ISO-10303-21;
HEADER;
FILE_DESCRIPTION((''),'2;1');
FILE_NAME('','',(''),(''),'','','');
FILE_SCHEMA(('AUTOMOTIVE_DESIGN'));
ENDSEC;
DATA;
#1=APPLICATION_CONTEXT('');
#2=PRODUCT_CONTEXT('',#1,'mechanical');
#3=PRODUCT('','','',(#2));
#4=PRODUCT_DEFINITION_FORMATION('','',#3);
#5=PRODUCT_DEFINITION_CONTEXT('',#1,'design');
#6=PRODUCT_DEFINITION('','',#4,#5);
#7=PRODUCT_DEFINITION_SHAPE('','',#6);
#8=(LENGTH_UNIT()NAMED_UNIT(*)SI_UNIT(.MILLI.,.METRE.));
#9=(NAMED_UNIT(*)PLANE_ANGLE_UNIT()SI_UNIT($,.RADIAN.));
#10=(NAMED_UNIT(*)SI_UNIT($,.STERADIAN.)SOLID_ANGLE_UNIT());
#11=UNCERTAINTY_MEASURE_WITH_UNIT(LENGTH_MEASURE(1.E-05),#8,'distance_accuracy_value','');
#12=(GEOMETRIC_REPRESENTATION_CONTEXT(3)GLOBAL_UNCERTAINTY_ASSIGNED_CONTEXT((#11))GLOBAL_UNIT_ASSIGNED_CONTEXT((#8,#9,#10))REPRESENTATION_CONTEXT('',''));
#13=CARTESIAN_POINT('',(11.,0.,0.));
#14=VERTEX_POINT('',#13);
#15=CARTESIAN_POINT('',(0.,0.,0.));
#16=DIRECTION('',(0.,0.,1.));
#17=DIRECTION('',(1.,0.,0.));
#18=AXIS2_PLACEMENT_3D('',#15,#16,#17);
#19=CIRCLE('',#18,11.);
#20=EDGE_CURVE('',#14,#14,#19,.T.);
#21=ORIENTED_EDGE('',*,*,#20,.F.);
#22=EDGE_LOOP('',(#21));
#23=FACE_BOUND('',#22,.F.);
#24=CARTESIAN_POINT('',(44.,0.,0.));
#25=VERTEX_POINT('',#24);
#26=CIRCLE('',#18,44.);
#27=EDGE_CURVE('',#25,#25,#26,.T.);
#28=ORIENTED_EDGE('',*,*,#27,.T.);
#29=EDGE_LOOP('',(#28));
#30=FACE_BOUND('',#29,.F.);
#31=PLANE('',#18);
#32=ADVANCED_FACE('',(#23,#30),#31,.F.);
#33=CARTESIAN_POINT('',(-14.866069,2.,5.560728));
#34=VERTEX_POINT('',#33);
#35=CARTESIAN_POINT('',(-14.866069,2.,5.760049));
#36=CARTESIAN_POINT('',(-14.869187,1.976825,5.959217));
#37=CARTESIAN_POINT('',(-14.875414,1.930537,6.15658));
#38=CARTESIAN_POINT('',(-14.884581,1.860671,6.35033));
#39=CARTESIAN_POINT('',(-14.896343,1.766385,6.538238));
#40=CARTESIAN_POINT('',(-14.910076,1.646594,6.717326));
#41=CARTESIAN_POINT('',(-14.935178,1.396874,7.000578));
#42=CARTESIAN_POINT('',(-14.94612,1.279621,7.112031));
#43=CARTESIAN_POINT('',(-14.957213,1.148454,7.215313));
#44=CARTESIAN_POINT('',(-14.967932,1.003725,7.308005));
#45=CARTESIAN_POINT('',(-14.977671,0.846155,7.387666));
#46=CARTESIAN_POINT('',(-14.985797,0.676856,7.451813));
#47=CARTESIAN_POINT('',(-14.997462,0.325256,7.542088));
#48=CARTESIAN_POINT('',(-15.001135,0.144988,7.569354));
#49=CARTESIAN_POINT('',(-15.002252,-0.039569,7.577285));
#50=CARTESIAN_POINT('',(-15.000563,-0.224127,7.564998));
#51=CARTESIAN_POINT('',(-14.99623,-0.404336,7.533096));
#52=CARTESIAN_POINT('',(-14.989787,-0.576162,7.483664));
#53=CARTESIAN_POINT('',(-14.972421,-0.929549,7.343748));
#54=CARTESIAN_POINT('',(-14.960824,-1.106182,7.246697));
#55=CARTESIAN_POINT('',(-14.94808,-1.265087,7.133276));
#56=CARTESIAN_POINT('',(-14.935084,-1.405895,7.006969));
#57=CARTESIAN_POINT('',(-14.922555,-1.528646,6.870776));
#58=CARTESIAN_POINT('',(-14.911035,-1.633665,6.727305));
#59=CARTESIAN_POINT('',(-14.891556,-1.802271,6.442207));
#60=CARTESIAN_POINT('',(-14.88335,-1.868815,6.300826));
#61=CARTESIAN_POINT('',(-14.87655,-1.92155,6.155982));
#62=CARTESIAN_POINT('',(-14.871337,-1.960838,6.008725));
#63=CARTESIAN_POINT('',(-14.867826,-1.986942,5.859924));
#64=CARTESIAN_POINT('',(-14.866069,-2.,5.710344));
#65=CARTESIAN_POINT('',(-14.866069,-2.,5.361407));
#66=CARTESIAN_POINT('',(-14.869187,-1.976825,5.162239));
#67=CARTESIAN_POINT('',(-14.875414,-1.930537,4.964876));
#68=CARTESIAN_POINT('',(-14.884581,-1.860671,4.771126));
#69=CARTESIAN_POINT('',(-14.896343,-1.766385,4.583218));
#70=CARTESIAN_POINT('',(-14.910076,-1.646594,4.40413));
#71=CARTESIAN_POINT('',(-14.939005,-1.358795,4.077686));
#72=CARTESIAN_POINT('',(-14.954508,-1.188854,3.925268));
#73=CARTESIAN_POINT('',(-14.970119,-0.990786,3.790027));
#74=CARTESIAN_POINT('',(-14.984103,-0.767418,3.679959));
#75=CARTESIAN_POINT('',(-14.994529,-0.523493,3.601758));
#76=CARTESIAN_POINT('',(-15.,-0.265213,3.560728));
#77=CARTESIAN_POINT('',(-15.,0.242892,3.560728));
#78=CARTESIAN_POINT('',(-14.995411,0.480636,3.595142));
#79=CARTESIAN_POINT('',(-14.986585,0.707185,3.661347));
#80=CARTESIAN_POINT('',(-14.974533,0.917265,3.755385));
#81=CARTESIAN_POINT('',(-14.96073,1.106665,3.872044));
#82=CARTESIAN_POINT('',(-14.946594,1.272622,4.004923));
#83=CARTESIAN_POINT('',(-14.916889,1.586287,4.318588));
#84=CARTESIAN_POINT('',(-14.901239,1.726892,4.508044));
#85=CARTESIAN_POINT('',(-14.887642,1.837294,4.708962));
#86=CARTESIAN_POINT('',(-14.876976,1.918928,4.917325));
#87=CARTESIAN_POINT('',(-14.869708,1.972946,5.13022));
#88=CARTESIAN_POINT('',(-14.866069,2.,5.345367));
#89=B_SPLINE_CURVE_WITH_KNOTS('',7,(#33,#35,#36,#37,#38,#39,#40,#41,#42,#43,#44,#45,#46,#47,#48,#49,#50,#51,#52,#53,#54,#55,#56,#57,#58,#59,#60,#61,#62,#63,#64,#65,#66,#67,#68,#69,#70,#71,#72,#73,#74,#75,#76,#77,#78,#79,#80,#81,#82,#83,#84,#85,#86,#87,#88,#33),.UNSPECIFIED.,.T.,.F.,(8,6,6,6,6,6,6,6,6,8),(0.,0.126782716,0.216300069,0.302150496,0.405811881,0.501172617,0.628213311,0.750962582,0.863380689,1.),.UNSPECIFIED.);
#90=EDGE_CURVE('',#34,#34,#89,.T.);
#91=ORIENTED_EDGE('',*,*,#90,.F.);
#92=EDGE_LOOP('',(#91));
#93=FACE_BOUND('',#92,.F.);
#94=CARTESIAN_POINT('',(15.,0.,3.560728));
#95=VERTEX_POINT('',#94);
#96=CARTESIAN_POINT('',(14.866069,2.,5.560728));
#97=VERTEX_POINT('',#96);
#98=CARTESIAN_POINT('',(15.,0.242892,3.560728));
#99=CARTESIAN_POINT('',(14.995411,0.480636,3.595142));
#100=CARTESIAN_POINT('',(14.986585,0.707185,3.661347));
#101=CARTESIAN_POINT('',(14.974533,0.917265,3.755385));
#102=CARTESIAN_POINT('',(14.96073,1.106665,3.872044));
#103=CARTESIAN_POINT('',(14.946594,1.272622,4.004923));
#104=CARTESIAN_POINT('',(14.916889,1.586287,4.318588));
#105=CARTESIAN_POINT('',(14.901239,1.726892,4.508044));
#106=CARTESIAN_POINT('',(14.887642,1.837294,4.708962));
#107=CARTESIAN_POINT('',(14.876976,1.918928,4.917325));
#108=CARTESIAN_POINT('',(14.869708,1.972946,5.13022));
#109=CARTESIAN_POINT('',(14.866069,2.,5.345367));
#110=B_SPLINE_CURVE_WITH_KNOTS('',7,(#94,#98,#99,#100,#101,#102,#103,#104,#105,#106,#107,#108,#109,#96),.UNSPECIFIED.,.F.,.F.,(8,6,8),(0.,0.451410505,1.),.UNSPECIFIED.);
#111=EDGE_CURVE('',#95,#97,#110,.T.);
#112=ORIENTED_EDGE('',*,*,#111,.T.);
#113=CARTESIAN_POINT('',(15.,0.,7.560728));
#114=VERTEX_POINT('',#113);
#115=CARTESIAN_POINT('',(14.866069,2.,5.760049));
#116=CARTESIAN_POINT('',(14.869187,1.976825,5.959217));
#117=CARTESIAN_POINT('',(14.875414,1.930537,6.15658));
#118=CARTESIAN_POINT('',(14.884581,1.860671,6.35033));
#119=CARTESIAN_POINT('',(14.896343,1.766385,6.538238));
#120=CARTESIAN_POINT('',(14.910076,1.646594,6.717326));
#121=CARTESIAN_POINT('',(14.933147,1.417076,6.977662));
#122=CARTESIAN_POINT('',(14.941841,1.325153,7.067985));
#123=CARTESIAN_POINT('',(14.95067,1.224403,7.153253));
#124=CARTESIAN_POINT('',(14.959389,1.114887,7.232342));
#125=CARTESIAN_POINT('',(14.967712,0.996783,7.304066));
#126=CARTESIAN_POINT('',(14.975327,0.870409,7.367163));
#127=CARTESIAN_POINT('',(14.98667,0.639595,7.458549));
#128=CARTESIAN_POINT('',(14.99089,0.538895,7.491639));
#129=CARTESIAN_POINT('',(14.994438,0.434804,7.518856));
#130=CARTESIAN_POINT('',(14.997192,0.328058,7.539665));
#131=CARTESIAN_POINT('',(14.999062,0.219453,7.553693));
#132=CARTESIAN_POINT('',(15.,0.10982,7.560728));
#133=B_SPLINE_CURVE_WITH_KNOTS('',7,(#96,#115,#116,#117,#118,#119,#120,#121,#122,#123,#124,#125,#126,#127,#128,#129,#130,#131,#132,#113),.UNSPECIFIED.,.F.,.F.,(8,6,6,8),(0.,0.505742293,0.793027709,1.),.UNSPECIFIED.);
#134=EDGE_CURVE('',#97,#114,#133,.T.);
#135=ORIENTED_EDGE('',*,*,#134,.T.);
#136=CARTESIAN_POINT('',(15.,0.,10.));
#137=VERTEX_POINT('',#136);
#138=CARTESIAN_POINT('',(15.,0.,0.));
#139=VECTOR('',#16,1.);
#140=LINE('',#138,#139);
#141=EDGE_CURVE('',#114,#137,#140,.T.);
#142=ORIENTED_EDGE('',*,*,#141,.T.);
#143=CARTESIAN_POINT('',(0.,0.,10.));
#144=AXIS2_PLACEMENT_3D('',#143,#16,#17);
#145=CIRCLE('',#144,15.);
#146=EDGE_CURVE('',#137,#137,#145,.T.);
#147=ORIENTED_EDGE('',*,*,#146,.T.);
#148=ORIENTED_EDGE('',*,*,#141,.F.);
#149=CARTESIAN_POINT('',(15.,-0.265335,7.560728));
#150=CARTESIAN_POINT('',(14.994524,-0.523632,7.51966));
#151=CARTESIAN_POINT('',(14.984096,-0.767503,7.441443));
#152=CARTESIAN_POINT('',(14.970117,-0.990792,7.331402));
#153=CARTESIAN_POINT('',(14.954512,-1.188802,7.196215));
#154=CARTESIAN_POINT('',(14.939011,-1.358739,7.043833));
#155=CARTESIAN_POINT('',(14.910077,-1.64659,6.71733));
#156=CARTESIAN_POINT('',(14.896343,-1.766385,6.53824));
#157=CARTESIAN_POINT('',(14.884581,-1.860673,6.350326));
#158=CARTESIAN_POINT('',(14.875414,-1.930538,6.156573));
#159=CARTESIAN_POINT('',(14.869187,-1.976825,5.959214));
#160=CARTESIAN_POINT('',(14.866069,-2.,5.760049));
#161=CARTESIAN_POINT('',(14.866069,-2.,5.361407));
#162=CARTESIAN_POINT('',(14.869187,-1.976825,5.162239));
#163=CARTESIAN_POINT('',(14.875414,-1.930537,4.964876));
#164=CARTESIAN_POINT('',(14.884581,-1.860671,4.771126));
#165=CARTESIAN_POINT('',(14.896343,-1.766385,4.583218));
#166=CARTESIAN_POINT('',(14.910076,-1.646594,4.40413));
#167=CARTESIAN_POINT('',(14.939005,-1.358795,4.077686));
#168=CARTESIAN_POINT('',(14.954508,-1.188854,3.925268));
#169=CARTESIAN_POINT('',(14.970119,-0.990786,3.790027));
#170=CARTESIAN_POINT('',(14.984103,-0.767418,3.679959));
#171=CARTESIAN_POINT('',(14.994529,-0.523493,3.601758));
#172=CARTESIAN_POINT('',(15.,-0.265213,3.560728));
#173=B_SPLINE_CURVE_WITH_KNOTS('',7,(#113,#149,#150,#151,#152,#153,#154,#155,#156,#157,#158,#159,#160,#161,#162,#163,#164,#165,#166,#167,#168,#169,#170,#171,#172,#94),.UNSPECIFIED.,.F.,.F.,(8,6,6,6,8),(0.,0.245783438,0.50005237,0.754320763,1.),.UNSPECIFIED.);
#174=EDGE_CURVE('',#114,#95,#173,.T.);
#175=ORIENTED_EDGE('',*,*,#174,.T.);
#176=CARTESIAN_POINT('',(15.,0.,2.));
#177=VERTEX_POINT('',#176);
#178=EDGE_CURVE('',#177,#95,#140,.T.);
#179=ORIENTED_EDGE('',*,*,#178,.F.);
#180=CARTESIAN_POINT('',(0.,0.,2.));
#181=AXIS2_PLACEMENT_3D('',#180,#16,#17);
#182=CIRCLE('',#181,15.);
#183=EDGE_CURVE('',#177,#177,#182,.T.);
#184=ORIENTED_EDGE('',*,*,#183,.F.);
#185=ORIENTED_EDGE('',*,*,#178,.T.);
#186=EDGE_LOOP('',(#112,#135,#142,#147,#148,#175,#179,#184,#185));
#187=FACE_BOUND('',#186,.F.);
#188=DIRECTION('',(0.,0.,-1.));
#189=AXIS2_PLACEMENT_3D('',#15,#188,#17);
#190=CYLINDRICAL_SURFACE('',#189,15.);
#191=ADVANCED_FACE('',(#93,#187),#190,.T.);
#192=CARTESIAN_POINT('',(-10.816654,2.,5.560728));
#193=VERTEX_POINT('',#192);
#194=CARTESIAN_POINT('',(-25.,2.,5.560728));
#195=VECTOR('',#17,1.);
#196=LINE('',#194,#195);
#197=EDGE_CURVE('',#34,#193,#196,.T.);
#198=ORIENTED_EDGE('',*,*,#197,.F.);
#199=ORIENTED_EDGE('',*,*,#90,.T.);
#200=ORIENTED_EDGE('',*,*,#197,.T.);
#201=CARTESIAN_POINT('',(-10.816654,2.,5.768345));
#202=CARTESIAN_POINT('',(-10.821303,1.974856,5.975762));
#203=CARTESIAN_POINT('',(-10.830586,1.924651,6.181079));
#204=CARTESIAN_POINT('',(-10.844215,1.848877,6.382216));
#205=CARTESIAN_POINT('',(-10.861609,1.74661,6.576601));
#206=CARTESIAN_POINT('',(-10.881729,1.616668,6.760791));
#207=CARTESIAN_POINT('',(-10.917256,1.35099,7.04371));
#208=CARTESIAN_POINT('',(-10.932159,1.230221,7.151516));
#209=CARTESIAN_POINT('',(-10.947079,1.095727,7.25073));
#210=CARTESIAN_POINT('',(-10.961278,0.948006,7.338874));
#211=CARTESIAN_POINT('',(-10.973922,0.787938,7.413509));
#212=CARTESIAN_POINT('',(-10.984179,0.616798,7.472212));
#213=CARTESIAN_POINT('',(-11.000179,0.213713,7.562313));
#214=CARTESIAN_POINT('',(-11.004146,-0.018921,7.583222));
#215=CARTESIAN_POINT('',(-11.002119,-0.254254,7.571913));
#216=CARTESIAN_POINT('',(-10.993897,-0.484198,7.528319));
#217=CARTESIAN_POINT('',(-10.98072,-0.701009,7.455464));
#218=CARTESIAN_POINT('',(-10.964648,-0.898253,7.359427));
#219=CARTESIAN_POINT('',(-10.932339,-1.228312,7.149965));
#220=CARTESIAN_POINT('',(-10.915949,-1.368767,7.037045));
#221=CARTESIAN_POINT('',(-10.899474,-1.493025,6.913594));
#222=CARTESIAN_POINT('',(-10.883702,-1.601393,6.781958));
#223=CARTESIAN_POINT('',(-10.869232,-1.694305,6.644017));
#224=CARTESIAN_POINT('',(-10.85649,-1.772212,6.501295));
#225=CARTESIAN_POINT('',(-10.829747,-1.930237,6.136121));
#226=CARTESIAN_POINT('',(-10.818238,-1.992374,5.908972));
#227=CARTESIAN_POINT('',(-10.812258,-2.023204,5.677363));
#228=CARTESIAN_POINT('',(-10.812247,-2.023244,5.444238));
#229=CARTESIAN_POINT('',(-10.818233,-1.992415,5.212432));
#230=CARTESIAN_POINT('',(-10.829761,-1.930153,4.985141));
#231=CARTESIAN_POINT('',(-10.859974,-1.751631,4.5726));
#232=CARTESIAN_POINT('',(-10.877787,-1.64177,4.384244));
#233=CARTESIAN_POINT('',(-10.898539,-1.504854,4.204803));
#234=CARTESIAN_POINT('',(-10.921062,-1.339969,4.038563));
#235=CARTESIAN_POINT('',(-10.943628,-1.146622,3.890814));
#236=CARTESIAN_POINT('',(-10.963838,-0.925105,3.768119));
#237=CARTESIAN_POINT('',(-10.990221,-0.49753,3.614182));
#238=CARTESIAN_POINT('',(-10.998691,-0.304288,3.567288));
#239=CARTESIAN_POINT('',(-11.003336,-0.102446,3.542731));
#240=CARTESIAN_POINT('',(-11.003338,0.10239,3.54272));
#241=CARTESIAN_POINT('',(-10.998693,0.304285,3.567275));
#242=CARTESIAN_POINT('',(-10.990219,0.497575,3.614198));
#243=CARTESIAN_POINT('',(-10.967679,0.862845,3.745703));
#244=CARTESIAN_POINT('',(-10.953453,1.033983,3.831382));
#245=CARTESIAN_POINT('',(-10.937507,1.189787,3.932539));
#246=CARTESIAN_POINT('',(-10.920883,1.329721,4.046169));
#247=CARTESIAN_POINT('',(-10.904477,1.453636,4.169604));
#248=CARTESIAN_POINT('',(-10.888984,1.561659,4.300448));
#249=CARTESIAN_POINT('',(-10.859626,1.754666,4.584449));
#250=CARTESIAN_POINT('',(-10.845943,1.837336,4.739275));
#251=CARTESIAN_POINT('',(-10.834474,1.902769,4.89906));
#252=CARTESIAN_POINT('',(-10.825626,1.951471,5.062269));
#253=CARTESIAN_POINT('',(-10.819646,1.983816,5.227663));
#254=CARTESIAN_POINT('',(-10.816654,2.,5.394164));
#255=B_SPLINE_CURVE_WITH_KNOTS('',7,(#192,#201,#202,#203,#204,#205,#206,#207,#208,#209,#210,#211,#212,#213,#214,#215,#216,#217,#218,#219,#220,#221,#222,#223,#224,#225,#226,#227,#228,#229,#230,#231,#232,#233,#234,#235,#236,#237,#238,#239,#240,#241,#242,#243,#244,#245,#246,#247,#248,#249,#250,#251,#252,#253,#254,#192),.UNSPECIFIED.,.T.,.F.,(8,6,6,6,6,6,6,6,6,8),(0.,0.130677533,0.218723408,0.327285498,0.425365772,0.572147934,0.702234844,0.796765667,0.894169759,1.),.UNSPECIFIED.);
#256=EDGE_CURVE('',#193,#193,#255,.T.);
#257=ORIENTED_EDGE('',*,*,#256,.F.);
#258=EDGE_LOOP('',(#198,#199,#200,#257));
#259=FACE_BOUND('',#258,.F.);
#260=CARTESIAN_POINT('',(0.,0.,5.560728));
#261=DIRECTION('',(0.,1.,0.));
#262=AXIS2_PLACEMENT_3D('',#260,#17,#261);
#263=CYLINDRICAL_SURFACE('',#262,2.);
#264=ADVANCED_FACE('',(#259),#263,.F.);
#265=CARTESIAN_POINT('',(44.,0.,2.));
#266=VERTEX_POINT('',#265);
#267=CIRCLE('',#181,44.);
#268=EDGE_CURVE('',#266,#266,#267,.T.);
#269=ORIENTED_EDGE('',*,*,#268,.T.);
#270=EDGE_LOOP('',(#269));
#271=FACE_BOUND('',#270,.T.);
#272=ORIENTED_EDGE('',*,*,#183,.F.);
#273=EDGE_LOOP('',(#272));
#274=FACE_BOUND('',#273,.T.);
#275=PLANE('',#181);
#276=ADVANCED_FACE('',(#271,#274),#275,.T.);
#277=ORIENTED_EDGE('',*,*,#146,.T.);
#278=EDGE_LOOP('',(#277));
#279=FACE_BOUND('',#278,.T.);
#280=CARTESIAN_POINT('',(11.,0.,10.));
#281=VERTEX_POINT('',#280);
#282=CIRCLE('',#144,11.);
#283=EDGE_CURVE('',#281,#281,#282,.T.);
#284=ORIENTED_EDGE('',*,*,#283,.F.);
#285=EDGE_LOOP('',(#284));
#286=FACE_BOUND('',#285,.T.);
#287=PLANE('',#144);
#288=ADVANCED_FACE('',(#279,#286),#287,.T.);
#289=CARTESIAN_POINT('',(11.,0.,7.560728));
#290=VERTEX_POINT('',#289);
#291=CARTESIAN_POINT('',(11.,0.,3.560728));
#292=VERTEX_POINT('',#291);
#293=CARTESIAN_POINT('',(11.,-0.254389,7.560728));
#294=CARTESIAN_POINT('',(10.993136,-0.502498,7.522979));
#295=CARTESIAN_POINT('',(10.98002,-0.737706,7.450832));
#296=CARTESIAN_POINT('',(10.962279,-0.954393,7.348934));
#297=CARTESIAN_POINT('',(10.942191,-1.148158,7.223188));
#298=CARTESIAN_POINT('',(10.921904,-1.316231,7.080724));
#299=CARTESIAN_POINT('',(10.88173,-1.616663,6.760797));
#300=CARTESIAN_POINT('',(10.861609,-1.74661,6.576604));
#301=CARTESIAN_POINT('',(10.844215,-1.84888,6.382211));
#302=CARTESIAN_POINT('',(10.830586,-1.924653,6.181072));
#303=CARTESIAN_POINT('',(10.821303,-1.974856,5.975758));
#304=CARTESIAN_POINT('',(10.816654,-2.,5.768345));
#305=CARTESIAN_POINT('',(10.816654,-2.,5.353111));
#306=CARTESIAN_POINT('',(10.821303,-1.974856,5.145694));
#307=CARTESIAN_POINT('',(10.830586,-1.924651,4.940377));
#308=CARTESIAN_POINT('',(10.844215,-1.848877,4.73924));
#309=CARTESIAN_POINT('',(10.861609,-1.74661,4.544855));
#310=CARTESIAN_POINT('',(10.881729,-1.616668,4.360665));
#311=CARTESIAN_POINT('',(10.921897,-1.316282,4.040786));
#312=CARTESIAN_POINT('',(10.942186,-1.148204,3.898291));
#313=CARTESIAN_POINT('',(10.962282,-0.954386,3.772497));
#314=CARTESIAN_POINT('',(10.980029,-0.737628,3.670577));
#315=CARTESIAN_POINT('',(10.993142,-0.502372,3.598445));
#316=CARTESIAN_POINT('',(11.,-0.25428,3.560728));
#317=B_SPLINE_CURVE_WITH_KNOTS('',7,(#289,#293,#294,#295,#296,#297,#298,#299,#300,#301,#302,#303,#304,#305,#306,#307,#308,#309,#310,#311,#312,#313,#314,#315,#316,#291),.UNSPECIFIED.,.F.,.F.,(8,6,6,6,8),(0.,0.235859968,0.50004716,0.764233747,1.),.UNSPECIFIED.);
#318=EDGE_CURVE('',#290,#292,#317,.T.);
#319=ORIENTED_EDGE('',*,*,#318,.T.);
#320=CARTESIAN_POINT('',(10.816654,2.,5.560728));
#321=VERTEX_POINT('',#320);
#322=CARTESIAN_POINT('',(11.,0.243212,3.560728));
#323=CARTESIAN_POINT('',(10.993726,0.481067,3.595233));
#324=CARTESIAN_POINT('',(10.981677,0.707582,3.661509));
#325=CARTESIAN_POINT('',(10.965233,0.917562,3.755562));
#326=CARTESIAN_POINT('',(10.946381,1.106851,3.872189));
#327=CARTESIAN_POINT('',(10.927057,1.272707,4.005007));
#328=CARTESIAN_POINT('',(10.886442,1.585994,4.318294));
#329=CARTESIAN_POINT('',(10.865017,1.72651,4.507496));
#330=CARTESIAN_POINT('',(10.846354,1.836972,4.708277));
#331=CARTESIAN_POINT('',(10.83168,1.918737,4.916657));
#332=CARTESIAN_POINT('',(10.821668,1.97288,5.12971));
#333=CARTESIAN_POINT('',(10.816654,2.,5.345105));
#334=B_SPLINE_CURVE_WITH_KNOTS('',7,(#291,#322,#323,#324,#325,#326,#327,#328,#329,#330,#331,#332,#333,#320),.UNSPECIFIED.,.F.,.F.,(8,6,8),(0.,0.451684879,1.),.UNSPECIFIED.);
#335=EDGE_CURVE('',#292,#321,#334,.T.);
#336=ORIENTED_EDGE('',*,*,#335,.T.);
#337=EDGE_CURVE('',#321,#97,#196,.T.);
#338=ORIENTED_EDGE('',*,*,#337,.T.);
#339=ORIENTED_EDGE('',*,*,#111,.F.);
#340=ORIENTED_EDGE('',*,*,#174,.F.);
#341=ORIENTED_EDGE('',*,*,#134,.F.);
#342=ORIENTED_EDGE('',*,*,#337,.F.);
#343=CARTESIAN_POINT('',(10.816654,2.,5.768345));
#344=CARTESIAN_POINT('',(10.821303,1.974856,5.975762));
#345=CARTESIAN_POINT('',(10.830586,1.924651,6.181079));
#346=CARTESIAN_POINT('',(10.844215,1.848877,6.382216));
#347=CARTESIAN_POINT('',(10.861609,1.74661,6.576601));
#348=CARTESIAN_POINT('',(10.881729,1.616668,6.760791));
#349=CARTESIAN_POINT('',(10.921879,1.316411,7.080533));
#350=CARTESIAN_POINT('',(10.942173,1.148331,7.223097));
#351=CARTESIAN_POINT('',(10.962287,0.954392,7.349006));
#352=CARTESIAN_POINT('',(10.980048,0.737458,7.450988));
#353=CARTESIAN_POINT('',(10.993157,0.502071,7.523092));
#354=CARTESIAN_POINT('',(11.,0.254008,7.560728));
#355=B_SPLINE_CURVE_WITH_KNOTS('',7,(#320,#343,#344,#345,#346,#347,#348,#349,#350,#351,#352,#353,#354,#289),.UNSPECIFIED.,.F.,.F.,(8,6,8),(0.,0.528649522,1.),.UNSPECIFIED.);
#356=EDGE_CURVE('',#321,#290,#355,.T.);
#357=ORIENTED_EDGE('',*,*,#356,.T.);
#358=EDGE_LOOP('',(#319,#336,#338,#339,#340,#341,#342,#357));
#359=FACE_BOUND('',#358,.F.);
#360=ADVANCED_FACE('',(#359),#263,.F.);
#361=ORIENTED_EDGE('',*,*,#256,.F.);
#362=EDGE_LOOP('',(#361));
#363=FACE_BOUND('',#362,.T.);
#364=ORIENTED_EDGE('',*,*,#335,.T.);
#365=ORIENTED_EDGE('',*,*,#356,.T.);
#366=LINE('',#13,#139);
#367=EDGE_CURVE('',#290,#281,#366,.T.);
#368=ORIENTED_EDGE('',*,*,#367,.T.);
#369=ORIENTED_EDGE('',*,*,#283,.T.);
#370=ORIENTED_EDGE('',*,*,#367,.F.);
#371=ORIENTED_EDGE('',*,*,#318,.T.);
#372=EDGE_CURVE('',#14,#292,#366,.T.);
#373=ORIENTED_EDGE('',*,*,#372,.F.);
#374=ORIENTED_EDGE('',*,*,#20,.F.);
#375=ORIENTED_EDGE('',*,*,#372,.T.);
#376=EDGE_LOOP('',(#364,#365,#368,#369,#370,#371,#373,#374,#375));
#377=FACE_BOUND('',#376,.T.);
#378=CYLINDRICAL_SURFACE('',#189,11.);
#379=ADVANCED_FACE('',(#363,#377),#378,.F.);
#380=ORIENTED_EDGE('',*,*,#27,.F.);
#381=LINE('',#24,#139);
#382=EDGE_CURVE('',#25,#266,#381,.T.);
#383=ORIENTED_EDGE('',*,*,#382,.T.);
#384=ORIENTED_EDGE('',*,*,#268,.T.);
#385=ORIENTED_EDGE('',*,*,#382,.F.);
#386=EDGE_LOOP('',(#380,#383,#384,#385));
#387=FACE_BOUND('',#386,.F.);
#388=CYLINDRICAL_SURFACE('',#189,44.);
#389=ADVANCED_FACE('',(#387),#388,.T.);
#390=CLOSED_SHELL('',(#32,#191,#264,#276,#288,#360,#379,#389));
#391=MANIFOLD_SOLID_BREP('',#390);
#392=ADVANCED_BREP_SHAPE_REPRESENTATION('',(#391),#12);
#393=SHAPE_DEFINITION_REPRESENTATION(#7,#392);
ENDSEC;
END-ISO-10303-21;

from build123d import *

# Parameters (mm, degrees)
F0_R     = 15
F0_R_2   = 11
F1_DEPTH = 10
F0_R_3   = 44
F2_DEPTH = 2
F3_R     = 2
F4_DEPTH = 25


with BuildPart() as f1:
    # F0 (on Top) → F1 (new body)
    with BuildSketch(Plane.XY):
        Circle(F0_R)
        Circle(F0_R_2, mode=Mode.SUBTRACT)
    extrude(amount=F1_DEPTH)

    # F0 (on Top) → F2 (join)
    with BuildSketch(Plane.XY):
        Circle(F0_R_3)
        Circle(F0_R, mode=Mode.SUBTRACT)
    extrude(amount=F2_DEPTH)

    # F3 (on Right) → F4 (cut, symmetric)
    with BuildSketch(Plane.YZ):
        with Locations((0, 5.560728)):
            Circle(F3_R)
    extrude(amount=F4_DEPTH, both=True, mode=Mode.SUBTRACT)


solid = f1.part
